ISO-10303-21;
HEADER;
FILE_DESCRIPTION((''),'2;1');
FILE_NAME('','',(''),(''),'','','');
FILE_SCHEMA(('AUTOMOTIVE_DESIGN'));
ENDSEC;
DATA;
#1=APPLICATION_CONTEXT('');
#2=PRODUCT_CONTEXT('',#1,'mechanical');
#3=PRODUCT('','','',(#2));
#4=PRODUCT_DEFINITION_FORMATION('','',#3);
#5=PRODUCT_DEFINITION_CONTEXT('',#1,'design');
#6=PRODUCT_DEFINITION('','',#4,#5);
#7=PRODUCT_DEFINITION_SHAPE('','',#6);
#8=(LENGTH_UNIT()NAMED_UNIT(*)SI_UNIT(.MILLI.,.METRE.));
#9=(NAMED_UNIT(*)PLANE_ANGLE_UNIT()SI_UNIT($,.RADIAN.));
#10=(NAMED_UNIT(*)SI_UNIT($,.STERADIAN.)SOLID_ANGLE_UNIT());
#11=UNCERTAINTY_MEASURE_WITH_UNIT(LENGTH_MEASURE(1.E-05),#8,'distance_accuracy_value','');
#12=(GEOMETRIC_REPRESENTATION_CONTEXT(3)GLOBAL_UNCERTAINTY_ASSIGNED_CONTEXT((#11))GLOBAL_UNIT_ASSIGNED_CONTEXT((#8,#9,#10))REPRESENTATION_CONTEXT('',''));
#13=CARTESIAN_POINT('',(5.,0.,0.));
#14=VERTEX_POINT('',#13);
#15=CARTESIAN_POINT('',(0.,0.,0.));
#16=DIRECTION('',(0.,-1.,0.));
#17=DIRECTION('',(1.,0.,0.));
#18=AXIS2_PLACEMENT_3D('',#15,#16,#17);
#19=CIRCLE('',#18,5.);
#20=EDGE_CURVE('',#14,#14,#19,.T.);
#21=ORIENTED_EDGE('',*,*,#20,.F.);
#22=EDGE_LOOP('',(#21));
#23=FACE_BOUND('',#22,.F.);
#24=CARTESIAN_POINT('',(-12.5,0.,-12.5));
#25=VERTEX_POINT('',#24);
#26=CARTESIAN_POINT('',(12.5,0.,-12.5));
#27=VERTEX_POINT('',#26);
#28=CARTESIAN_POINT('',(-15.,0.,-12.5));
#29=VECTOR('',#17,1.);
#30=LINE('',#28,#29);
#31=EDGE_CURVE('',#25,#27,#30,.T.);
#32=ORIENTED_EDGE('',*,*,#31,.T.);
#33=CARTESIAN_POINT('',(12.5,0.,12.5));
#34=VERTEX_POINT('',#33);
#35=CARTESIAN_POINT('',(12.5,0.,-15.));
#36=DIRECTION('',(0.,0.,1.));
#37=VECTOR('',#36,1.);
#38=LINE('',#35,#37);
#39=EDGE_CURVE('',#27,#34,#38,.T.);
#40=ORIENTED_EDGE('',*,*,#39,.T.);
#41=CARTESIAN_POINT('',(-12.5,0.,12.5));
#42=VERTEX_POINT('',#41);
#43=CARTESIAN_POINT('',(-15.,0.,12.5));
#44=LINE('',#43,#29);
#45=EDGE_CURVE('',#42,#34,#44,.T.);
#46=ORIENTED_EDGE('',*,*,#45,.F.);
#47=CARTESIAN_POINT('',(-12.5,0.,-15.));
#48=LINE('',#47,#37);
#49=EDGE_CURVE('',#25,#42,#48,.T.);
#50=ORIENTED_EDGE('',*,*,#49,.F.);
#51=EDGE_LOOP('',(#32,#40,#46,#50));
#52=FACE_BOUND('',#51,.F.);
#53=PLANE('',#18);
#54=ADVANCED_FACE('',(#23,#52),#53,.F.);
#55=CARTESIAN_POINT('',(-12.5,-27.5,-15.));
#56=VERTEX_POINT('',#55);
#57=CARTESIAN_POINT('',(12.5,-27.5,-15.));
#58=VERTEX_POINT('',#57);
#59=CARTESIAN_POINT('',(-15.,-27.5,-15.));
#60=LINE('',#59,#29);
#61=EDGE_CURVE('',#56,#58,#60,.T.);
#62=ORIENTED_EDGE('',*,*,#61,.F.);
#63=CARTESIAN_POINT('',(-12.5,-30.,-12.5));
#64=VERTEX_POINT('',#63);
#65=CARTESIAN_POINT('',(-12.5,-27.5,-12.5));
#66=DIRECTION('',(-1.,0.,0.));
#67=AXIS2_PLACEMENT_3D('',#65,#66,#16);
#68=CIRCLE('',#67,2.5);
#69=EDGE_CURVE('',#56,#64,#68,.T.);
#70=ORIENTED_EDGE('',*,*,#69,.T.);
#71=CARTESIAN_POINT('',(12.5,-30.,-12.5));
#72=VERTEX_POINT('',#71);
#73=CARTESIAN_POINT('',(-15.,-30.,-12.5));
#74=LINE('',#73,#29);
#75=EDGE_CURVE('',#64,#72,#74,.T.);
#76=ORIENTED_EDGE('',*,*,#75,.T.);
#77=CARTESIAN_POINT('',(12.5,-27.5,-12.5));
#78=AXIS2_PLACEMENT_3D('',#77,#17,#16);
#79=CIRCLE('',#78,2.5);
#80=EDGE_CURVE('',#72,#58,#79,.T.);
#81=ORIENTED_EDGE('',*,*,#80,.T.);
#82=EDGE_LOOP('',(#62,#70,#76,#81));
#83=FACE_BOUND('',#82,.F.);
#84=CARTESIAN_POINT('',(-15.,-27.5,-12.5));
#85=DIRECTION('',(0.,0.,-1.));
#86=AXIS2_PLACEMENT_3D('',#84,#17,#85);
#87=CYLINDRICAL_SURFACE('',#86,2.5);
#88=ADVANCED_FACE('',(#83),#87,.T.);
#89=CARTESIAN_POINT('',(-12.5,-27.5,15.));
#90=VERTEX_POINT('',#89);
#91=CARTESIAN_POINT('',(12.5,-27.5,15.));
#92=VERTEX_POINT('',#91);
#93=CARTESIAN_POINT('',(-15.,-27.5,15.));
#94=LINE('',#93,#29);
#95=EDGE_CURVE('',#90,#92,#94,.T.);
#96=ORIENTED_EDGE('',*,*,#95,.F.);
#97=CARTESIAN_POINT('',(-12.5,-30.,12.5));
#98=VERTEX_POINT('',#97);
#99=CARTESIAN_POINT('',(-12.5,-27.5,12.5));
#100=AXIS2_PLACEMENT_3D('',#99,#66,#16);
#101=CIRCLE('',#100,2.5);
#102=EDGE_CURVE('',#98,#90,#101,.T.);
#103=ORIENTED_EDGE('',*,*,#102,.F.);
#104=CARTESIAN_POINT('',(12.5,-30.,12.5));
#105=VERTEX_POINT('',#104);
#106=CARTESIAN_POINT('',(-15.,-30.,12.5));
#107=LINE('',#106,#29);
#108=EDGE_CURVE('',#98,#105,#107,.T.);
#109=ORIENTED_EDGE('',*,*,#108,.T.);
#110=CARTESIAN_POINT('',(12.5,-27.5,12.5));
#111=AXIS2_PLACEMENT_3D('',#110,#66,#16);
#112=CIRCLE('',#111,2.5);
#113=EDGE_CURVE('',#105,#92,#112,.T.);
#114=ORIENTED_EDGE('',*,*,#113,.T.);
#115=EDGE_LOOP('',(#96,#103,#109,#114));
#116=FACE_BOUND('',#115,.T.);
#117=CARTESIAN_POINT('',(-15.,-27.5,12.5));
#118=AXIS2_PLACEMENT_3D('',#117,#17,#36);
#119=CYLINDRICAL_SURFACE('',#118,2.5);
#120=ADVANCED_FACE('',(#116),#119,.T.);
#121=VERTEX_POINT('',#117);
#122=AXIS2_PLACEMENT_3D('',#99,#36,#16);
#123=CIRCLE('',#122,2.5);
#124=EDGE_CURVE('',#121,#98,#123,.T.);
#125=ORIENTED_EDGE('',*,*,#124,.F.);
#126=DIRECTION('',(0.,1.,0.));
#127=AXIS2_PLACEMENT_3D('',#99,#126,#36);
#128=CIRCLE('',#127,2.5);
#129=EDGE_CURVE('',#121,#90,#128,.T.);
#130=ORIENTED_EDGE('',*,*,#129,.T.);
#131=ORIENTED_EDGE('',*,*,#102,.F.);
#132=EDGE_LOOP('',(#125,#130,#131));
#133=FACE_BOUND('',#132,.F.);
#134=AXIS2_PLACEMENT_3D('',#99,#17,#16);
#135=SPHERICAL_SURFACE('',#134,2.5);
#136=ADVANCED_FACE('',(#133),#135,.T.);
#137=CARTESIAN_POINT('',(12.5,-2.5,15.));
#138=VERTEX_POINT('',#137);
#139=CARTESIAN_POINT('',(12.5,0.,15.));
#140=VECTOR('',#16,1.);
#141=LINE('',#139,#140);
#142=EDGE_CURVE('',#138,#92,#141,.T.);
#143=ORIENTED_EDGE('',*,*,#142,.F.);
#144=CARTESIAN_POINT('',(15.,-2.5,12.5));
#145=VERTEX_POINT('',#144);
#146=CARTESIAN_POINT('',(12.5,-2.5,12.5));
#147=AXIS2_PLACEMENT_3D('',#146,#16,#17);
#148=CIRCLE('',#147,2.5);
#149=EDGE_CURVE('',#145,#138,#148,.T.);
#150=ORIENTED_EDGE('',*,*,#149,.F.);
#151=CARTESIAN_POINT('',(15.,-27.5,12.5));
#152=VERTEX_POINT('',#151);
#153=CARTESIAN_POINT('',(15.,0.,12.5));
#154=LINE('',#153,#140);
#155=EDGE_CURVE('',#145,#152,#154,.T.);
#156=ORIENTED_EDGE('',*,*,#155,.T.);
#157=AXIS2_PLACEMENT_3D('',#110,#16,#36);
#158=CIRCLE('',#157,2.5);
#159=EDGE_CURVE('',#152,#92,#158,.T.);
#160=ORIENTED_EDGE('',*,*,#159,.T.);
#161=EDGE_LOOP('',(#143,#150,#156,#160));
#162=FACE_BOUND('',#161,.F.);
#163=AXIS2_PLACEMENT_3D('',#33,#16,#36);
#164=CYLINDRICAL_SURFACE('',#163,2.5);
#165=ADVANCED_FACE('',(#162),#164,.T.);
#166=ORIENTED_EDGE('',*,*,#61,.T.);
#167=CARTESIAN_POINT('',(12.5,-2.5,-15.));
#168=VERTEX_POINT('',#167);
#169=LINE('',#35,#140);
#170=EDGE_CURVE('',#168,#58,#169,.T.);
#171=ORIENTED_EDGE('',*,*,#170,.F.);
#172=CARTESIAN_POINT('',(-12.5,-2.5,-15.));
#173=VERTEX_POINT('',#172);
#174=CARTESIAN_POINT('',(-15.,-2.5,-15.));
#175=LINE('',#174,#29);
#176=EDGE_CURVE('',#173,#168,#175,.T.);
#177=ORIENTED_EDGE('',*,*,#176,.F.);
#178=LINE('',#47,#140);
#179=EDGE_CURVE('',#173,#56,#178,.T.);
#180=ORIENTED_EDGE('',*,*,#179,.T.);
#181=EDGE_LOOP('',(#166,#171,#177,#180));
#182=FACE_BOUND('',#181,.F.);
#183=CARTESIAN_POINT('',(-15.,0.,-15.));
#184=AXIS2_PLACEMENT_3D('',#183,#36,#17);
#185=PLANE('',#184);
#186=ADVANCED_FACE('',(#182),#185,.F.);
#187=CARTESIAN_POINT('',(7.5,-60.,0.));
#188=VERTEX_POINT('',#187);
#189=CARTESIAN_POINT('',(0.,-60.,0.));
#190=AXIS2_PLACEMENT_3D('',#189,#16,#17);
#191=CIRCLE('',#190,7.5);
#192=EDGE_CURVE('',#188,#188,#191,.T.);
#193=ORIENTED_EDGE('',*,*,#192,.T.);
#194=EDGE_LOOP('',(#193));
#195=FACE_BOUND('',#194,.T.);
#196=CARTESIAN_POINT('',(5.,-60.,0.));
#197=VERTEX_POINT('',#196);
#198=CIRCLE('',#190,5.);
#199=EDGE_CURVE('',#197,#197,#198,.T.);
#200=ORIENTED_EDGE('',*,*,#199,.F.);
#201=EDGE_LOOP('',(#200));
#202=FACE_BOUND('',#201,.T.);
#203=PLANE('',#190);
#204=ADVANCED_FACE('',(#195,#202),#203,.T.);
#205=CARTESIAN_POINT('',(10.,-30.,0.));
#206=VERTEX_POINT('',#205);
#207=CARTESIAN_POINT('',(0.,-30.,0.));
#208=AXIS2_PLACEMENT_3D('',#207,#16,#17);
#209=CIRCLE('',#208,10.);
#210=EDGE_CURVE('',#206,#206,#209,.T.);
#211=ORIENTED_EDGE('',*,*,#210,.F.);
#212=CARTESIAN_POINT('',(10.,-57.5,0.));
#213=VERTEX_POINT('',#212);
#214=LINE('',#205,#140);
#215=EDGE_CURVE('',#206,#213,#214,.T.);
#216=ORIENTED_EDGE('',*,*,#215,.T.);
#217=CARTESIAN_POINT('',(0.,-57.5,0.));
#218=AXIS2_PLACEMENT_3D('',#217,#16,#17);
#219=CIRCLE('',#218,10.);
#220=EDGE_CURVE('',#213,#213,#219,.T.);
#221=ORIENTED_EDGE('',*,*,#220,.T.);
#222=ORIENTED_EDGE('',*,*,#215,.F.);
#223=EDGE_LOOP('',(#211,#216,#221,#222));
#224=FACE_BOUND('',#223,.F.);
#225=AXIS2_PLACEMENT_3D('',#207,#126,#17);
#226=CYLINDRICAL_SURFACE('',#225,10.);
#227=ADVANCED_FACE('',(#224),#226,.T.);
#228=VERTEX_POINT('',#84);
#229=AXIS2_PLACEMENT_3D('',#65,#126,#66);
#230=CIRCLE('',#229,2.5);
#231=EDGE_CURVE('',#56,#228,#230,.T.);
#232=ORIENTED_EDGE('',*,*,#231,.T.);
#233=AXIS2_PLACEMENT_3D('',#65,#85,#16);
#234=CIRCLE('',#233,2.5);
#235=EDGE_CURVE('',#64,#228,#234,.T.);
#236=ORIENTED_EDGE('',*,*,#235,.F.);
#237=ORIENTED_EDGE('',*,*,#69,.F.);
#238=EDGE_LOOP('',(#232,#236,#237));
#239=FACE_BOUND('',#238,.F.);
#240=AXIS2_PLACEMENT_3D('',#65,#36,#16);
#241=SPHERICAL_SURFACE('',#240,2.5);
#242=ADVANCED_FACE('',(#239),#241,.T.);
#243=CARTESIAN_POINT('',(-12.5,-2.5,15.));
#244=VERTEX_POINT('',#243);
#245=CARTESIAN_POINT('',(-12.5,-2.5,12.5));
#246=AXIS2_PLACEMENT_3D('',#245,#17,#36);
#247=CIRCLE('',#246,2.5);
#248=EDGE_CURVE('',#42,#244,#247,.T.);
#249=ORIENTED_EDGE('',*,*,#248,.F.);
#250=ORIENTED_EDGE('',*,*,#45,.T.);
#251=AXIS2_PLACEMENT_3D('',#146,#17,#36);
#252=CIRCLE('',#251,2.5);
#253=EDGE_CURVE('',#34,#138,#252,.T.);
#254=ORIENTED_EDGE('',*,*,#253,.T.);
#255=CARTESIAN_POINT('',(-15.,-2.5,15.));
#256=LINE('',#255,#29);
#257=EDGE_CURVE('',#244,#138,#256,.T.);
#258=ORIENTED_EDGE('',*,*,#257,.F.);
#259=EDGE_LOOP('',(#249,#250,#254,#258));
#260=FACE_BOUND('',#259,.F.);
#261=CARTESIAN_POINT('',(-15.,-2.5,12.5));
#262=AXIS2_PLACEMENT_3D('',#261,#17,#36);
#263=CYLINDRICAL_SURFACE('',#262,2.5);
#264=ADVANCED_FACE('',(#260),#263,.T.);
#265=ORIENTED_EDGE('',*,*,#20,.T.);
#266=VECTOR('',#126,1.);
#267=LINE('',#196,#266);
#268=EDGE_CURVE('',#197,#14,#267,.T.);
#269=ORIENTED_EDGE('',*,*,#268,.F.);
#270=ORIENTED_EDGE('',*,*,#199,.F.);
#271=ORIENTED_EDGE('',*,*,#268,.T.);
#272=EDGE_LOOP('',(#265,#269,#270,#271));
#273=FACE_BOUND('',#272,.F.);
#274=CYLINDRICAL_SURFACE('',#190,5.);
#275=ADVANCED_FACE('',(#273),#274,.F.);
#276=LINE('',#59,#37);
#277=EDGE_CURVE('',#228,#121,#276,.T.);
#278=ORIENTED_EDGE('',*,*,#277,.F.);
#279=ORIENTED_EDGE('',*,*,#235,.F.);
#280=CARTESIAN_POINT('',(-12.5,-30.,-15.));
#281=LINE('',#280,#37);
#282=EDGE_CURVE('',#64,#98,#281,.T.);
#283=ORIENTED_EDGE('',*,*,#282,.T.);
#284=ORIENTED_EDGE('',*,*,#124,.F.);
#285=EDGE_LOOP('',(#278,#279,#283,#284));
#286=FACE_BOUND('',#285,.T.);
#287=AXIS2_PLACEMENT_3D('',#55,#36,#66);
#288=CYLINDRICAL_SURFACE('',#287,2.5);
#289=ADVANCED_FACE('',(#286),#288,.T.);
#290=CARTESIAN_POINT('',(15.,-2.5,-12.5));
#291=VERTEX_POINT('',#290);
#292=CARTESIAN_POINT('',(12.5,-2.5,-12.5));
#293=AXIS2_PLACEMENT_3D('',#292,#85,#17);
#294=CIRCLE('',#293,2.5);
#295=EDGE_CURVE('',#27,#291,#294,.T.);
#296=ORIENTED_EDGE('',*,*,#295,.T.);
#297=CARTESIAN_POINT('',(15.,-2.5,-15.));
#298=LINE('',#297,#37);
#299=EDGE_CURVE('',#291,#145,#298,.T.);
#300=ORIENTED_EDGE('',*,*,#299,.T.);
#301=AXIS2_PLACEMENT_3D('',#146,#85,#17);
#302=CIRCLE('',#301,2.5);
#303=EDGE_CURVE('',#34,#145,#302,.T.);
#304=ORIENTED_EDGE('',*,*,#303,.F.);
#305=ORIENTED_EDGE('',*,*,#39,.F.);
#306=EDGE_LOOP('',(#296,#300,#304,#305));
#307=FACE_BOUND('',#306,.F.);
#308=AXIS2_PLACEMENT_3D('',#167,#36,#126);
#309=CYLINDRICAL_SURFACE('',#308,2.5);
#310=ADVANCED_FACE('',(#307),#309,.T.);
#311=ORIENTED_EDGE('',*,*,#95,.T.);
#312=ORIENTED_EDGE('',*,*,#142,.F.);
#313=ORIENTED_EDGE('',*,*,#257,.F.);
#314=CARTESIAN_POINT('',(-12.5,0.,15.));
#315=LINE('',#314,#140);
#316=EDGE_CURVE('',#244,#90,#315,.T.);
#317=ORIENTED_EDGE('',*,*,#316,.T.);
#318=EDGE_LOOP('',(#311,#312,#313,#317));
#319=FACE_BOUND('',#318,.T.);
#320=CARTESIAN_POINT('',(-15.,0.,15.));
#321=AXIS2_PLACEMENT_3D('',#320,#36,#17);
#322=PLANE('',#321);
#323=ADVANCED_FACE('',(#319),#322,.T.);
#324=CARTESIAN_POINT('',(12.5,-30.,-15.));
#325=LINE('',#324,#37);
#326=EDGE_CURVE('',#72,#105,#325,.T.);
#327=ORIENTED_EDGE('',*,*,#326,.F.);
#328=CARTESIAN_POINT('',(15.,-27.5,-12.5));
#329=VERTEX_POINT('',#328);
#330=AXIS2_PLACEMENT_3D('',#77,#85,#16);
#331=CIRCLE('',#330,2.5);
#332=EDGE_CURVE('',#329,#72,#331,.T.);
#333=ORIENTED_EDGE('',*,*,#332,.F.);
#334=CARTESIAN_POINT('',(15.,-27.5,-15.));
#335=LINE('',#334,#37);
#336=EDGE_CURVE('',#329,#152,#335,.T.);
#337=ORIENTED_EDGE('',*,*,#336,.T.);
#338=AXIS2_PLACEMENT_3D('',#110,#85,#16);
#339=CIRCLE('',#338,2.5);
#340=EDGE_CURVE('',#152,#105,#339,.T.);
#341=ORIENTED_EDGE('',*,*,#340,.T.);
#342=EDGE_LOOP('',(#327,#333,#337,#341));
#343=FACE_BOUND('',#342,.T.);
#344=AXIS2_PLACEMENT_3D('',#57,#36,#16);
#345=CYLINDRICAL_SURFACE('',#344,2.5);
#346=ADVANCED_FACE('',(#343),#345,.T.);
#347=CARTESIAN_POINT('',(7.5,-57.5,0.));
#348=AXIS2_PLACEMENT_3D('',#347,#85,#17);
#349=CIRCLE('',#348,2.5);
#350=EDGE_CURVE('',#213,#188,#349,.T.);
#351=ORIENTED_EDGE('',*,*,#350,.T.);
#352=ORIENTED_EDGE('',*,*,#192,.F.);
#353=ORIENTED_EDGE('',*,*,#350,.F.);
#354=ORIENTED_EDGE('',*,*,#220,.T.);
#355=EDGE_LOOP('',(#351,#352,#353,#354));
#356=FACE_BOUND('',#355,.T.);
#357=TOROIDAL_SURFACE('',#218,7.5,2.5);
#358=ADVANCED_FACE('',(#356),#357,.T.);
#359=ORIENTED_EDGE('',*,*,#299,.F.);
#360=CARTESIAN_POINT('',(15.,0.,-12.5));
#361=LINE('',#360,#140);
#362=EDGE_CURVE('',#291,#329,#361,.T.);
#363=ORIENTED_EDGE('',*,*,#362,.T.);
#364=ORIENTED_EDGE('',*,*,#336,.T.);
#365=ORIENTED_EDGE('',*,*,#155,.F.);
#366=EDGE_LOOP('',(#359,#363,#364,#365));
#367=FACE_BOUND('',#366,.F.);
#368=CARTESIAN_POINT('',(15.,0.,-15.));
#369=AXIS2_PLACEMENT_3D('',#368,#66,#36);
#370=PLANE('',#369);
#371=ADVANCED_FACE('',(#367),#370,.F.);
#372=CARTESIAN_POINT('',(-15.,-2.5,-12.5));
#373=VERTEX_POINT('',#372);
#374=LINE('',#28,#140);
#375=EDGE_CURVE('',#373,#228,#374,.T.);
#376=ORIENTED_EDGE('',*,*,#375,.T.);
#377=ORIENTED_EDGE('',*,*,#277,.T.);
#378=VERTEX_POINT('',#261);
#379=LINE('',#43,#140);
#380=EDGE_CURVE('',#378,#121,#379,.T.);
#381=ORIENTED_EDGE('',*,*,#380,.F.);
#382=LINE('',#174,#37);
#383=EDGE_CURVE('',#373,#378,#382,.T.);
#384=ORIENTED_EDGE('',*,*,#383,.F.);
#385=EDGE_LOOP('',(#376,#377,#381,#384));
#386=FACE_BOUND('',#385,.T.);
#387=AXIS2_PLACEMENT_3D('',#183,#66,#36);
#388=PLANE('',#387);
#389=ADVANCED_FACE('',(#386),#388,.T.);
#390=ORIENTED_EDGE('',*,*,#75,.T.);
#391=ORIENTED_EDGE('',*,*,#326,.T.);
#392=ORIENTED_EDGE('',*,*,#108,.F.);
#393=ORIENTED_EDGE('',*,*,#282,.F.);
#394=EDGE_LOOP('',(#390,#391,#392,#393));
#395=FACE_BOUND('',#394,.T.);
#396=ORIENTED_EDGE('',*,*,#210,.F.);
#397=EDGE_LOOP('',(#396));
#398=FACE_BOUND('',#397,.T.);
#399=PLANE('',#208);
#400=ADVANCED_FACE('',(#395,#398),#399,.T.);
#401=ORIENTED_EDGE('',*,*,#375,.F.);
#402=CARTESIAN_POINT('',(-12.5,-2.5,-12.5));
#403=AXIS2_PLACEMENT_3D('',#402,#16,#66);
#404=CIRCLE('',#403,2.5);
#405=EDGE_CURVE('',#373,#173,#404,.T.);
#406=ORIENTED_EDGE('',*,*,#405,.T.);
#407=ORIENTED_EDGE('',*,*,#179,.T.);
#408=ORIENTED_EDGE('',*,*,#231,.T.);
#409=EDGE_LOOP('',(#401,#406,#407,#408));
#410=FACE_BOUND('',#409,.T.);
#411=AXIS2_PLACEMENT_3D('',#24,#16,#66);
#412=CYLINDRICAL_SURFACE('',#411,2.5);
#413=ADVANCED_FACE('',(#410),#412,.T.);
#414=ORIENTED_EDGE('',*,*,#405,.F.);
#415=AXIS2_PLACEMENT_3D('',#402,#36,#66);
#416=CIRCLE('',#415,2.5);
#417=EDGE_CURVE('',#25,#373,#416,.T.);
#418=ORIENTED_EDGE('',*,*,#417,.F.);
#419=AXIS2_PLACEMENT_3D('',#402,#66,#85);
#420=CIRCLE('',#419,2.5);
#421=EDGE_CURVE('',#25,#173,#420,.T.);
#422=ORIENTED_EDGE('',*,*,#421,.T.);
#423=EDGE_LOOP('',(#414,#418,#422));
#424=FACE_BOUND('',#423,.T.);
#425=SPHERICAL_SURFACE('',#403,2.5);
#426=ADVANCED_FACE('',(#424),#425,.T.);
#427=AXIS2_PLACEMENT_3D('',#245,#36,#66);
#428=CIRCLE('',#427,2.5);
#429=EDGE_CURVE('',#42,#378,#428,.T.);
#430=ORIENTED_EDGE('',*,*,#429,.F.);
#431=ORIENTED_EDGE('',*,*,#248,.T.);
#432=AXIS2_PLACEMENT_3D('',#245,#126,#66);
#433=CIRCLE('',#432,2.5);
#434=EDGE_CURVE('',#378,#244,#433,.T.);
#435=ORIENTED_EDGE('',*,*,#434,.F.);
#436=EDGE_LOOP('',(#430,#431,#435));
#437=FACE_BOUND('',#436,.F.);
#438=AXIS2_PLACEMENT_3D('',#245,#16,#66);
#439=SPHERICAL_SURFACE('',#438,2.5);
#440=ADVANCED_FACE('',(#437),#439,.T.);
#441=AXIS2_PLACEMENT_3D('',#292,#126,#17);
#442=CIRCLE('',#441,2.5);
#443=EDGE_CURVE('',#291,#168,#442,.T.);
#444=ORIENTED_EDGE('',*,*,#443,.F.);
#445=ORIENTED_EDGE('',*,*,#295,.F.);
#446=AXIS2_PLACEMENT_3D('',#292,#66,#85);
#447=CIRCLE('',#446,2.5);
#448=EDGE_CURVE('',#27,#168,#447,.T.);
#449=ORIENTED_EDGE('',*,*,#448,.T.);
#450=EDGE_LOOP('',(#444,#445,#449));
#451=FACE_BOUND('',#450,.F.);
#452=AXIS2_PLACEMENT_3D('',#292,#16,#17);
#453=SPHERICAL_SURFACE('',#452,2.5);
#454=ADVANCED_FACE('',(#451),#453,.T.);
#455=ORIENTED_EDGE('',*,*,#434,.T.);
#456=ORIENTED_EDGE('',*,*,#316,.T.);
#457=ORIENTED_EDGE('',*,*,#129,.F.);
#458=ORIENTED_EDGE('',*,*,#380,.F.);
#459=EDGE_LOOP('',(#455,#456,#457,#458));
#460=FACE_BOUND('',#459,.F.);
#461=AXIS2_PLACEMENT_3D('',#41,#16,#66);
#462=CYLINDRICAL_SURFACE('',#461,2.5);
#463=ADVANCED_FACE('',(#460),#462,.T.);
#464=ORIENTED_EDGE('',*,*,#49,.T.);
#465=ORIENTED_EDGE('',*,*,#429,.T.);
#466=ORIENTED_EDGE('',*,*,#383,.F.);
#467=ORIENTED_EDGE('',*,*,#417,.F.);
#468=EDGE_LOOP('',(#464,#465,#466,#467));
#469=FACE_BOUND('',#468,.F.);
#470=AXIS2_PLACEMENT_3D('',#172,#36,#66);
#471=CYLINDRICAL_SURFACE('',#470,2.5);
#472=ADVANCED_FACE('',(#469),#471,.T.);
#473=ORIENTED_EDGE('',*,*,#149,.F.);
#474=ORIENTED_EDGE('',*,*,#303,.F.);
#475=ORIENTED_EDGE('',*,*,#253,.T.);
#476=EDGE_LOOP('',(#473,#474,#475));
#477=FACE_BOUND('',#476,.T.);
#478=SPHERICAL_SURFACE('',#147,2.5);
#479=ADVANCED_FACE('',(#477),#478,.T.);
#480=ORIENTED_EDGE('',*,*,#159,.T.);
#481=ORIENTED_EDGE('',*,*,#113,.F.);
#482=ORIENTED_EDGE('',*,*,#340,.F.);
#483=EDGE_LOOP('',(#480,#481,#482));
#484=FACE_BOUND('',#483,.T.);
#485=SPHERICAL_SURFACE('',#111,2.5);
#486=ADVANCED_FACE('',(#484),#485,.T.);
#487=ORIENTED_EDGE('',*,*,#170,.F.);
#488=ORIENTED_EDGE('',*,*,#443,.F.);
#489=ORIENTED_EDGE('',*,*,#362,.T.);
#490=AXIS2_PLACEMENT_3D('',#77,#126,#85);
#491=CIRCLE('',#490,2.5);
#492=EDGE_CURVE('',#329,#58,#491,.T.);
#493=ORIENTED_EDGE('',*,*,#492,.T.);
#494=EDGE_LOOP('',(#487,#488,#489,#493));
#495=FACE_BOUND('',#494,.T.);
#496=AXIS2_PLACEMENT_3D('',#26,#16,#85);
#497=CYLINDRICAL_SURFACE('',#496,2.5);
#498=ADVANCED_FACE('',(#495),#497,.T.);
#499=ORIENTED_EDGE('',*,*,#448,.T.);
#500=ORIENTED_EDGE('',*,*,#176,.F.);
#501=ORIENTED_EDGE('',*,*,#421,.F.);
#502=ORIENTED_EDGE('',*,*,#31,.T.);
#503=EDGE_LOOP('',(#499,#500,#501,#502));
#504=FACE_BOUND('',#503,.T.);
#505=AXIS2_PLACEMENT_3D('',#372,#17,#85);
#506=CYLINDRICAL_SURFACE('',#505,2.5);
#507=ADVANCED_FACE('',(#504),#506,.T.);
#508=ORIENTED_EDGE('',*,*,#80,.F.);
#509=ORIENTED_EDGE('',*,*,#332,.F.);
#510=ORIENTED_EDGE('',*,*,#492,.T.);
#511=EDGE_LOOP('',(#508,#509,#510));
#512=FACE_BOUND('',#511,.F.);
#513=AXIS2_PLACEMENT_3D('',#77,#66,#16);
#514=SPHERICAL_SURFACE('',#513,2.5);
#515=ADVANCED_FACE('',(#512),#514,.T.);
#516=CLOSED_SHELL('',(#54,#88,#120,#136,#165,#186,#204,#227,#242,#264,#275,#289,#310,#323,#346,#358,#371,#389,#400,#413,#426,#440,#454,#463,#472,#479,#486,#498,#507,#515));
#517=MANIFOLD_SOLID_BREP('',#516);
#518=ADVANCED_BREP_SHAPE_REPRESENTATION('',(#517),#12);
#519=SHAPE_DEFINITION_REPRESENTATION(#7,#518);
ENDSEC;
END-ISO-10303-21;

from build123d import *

# Parameters (mm, degrees)
F0_W     = 30
F0_H     = 30
F1_DEPTH = 30
F2_R     = 10
F3_DEPTH = 30
F4_R     = 2.5
F5_R     = 5
F6_DEPTH = 60.001


with BuildPart() as f1:
    # F0 (on Front) → F1 (new body)
    with BuildSketch(Plane.XZ):
        Rectangle(F0_W, F0_H)
    extrude(amount=F1_DEPTH)

    # F2 (on face) → F3 (join)
    with BuildSketch(Plane.XZ.offset(30)):
        Circle(F2_R)
    extrude(amount=F3_DEPTH)

    # F4
    f4_edges = [f1.edges().sort_by_distance(p)[0] for p in [
        (0, -30, 15),
        (-15, -30, 0),
        (0, -30, -15),
        (15, -30, 0),
        (-10, -60, 0),
        (-15, -15, 15),
        (-15, -15, -15),
        (-15, 0, 0),
        (15, -15, 15),
        (15, -15, -15),
        (15, 0, 0),
        (0, 0, 15),
        (0, 0, -15),
    ]]
    fillet(f4_edges, radius=F4_R)

    # F5 (on face) → F6 (cut, through all)
    with BuildSketch(Plane.XZ.offset(60)):
        Circle(F5_R)
    extrude(amount=-F6_DEPTH, mode=Mode.SUBTRACT)


solid = f1.part
